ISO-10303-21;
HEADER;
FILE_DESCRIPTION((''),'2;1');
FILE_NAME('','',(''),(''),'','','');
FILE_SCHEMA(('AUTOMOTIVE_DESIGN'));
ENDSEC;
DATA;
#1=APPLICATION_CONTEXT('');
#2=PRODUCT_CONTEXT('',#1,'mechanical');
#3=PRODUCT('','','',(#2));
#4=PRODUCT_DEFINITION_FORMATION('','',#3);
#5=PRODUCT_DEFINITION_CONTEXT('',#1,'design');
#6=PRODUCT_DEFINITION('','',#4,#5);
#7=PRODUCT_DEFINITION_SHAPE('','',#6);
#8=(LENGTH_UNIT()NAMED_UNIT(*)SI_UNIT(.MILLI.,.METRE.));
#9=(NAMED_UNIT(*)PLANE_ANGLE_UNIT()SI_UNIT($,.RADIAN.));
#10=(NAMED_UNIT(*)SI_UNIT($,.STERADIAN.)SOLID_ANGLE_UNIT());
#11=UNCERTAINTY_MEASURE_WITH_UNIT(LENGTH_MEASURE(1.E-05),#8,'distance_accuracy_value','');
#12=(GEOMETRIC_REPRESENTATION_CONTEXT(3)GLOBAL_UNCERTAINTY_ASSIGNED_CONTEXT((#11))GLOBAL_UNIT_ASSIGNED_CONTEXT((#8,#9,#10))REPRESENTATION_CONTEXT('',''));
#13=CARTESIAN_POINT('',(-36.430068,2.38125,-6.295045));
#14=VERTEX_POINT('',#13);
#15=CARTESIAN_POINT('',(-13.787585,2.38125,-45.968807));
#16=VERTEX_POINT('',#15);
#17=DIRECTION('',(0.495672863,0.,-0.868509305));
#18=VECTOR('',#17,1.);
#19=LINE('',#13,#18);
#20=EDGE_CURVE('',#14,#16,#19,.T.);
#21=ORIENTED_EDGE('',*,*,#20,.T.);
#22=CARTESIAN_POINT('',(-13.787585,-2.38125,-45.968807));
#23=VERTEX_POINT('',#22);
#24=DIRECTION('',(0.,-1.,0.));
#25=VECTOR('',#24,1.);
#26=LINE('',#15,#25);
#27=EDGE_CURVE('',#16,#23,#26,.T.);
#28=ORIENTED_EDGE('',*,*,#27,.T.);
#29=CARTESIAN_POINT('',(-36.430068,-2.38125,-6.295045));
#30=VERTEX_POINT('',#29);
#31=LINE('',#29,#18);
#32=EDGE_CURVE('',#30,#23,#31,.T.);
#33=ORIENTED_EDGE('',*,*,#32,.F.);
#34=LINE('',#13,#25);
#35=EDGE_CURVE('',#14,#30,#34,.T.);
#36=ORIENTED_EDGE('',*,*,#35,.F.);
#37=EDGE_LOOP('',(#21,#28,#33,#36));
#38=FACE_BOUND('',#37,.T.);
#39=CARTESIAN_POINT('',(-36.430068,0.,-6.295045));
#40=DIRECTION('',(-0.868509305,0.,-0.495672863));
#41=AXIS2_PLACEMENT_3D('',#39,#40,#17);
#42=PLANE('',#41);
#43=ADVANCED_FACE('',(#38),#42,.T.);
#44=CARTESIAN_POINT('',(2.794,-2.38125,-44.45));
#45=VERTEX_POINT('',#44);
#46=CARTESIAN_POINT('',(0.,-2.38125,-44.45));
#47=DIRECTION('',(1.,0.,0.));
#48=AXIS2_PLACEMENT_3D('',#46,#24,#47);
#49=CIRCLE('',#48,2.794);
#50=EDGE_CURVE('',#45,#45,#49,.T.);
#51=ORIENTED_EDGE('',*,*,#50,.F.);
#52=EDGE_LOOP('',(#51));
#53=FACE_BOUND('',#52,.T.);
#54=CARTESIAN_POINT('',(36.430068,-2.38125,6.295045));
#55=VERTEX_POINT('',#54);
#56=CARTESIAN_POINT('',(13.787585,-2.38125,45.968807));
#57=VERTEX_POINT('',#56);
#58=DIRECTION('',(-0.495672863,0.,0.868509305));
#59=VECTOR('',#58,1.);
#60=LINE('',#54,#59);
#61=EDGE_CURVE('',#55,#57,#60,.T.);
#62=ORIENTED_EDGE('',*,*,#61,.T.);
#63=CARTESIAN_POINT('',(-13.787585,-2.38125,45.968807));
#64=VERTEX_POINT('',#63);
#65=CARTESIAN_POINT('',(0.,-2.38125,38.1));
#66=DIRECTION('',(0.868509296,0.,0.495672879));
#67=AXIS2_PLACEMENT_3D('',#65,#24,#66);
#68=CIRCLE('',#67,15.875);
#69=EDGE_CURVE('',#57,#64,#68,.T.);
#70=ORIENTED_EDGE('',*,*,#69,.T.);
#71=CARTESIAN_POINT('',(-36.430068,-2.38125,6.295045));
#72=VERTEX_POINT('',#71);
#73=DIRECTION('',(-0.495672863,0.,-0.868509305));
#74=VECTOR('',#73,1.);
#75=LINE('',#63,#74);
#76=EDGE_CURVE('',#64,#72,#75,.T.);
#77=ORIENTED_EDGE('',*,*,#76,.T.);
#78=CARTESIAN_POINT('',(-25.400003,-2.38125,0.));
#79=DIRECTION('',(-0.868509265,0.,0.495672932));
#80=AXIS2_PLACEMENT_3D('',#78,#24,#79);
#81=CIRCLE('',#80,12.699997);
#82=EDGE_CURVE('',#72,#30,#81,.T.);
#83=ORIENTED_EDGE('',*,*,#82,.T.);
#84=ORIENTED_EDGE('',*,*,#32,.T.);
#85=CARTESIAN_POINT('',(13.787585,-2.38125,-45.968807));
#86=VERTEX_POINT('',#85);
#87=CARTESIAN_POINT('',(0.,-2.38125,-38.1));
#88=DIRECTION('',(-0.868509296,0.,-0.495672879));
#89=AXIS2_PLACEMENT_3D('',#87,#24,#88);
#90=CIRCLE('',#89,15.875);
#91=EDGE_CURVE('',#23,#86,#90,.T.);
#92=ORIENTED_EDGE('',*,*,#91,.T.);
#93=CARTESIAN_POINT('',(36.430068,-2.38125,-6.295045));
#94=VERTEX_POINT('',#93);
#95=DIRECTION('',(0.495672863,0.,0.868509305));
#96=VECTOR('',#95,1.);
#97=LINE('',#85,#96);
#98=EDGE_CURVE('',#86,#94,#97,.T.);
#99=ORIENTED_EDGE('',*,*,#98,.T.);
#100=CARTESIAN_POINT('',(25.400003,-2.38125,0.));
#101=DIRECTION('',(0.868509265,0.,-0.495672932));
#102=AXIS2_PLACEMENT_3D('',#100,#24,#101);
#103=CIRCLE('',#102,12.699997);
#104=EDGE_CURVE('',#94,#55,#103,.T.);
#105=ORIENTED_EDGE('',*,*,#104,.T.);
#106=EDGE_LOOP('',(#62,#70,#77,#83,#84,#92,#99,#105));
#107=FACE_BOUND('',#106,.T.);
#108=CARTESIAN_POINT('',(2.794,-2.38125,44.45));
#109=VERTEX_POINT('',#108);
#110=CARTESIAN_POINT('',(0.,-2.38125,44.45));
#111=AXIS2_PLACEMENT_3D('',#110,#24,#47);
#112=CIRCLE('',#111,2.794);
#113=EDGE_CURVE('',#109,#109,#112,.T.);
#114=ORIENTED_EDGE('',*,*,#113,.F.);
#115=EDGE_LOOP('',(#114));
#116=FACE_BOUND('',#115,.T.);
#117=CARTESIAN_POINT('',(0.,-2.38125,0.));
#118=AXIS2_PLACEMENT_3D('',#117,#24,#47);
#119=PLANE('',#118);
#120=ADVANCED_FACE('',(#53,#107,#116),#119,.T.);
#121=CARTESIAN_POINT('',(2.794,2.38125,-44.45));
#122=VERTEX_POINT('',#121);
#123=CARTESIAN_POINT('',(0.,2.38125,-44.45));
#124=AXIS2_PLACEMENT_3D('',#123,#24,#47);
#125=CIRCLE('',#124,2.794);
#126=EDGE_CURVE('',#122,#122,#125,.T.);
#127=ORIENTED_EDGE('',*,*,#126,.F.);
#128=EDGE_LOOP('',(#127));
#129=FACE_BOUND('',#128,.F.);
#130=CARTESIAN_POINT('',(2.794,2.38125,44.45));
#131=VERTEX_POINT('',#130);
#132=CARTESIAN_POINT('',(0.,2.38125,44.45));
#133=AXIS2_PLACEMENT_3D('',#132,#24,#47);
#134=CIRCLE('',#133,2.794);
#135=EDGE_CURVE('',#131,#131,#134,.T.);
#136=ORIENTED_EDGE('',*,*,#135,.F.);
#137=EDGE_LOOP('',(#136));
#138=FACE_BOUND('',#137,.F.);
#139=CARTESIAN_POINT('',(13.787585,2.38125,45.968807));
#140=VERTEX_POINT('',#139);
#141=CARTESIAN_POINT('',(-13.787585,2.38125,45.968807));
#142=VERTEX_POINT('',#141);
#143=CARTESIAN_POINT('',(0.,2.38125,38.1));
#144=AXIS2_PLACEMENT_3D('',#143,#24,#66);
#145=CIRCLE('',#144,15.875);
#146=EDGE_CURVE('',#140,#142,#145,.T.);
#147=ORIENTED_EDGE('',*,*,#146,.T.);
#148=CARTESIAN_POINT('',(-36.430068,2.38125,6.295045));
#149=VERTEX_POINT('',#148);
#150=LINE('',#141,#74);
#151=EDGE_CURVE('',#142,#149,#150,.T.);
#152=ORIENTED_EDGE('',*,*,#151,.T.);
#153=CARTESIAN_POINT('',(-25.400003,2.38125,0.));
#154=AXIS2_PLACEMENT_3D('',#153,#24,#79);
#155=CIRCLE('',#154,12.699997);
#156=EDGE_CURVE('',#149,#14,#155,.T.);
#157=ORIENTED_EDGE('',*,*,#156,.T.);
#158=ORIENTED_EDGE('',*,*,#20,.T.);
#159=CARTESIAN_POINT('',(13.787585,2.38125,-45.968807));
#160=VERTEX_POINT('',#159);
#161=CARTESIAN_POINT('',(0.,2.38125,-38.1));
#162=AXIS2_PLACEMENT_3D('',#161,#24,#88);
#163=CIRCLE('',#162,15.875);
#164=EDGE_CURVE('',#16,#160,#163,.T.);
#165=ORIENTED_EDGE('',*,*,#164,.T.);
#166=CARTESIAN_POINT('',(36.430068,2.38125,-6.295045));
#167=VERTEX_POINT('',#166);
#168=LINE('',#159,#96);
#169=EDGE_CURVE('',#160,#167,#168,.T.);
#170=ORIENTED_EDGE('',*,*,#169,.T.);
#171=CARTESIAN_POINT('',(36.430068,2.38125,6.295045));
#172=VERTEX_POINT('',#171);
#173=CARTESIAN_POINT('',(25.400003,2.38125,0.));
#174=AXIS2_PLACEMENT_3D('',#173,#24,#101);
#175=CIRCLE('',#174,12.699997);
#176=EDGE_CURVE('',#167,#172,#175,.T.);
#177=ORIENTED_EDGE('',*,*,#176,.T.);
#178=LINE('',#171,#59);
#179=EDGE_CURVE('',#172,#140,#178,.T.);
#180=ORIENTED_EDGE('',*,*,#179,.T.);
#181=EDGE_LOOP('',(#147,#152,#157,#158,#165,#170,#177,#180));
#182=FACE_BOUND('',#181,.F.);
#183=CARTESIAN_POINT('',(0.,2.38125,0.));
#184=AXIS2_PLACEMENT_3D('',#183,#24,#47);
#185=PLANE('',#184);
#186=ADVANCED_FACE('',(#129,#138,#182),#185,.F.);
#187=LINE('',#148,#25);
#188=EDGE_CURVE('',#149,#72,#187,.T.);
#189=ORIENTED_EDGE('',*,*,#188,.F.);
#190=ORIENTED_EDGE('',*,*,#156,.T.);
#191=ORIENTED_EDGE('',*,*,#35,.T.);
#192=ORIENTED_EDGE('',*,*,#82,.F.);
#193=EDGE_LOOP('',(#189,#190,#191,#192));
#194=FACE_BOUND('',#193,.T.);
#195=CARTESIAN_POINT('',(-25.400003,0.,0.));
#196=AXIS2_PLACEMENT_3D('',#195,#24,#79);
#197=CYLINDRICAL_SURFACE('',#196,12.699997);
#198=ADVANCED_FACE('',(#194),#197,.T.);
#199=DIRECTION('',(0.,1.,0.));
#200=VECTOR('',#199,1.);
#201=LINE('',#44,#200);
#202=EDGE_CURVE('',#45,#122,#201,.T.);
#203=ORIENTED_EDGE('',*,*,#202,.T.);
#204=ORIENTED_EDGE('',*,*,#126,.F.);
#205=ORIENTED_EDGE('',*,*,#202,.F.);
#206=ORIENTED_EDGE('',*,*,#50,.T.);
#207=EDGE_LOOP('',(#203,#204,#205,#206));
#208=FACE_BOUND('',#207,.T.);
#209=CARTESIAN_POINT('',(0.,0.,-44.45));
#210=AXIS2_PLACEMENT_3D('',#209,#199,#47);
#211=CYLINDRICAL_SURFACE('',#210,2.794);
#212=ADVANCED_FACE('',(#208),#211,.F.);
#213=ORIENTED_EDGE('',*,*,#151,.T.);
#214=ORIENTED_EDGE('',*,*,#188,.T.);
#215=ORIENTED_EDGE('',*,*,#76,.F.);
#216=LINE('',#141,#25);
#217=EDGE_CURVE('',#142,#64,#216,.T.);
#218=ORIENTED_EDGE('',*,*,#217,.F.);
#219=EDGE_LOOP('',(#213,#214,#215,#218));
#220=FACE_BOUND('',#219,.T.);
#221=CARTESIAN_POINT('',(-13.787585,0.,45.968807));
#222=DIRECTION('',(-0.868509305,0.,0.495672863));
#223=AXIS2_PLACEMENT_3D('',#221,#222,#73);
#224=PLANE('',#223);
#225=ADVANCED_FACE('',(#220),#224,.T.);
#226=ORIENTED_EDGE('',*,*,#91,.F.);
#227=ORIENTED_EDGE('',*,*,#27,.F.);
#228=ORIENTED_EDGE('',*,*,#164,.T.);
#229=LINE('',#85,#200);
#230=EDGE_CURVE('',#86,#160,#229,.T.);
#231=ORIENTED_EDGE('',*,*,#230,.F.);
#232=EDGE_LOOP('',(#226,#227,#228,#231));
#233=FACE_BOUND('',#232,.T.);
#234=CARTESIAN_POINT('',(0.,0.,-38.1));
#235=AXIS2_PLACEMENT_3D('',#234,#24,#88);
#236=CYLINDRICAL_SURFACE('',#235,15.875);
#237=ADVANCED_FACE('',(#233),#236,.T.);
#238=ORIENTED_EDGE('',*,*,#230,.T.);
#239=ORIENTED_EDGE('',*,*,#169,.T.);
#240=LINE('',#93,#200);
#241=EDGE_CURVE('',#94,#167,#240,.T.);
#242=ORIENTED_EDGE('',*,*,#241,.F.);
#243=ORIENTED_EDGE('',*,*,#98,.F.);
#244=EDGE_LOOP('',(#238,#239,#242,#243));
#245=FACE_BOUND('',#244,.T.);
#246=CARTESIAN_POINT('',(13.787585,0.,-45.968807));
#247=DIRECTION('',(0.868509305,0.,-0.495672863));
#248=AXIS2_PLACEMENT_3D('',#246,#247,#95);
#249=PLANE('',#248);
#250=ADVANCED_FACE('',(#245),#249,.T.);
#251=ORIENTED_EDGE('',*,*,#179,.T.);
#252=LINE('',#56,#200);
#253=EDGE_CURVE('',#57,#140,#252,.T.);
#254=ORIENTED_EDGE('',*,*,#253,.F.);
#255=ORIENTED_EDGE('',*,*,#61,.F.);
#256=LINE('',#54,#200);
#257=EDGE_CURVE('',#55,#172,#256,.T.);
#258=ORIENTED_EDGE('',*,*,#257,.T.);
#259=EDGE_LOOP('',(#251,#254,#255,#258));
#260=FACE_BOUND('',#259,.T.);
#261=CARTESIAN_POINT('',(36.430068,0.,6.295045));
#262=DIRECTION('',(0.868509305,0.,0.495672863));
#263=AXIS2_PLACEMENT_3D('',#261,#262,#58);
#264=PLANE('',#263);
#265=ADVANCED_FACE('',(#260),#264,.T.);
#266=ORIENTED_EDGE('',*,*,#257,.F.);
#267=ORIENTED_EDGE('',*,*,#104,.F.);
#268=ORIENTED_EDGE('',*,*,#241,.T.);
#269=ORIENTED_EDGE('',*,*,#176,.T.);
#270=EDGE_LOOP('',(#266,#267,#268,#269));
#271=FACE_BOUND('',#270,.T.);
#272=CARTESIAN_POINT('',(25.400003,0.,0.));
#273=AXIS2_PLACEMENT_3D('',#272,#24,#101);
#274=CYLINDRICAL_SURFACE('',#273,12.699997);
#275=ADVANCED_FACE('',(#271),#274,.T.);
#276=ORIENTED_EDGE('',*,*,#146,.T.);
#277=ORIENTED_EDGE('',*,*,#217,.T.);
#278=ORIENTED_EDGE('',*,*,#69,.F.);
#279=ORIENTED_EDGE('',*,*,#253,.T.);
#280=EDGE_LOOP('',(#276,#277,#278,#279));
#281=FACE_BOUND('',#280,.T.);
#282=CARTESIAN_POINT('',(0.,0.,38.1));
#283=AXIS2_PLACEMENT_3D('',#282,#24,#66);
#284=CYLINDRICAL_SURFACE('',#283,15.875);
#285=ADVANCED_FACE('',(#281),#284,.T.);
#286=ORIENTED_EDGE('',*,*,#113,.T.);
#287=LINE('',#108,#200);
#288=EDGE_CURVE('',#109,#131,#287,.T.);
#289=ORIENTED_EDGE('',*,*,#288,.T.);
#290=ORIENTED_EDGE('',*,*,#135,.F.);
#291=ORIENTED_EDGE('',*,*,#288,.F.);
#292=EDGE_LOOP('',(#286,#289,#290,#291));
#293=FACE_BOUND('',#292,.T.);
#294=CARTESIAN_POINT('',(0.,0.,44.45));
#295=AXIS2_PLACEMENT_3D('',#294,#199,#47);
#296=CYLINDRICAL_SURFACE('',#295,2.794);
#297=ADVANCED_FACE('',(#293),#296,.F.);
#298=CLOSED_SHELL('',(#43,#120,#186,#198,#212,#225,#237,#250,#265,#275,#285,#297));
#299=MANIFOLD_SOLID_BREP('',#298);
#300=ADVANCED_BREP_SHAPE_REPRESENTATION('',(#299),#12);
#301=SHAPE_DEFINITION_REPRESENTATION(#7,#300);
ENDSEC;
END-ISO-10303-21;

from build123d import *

# Parameters (mm, degrees)
F0_R     = 2.794
F1_DEPTH = 2.38125


with BuildPart() as f1:
    # F0 (on Front) → F1 (new body, symmetric)
    with BuildSketch(Plane.XZ):
        with BuildLine():
            ThreePointArc((13.787585, 45.968807), (0, 53.975), (-13.787585, 45.968807))
            Line((-13.787585, 45.968807), (-36.430068, 6.295045))
            ThreePointArc((-36.430068, 6.295045), (-38.1, 0), (-36.430068, -6.295045))
            Line((-36.430068, -6.295045), (-13.787585, -45.968807))
            ThreePointArc((-13.787585, -45.968807), (0, -53.975), (13.787585, -45.968807))
            Line((13.787585, -45.968807), (36.430068, -6.295045))
            ThreePointArc((36.430068, -6.295045), (38.1, 0), (36.430068, 6.295045))
            Line((36.430068, 6.295045), (13.787585, 45.968807))
        make_face()
        with Locations((0, -44.45)):
            Circle(F0_R, mode=Mode.SUBTRACT)
        with Locations((0, 44.45)):
            Circle(F0_R, mode=Mode.SUBTRACT)
    extrude(amount=F1_DEPTH, both=True)


solid = f1.part
